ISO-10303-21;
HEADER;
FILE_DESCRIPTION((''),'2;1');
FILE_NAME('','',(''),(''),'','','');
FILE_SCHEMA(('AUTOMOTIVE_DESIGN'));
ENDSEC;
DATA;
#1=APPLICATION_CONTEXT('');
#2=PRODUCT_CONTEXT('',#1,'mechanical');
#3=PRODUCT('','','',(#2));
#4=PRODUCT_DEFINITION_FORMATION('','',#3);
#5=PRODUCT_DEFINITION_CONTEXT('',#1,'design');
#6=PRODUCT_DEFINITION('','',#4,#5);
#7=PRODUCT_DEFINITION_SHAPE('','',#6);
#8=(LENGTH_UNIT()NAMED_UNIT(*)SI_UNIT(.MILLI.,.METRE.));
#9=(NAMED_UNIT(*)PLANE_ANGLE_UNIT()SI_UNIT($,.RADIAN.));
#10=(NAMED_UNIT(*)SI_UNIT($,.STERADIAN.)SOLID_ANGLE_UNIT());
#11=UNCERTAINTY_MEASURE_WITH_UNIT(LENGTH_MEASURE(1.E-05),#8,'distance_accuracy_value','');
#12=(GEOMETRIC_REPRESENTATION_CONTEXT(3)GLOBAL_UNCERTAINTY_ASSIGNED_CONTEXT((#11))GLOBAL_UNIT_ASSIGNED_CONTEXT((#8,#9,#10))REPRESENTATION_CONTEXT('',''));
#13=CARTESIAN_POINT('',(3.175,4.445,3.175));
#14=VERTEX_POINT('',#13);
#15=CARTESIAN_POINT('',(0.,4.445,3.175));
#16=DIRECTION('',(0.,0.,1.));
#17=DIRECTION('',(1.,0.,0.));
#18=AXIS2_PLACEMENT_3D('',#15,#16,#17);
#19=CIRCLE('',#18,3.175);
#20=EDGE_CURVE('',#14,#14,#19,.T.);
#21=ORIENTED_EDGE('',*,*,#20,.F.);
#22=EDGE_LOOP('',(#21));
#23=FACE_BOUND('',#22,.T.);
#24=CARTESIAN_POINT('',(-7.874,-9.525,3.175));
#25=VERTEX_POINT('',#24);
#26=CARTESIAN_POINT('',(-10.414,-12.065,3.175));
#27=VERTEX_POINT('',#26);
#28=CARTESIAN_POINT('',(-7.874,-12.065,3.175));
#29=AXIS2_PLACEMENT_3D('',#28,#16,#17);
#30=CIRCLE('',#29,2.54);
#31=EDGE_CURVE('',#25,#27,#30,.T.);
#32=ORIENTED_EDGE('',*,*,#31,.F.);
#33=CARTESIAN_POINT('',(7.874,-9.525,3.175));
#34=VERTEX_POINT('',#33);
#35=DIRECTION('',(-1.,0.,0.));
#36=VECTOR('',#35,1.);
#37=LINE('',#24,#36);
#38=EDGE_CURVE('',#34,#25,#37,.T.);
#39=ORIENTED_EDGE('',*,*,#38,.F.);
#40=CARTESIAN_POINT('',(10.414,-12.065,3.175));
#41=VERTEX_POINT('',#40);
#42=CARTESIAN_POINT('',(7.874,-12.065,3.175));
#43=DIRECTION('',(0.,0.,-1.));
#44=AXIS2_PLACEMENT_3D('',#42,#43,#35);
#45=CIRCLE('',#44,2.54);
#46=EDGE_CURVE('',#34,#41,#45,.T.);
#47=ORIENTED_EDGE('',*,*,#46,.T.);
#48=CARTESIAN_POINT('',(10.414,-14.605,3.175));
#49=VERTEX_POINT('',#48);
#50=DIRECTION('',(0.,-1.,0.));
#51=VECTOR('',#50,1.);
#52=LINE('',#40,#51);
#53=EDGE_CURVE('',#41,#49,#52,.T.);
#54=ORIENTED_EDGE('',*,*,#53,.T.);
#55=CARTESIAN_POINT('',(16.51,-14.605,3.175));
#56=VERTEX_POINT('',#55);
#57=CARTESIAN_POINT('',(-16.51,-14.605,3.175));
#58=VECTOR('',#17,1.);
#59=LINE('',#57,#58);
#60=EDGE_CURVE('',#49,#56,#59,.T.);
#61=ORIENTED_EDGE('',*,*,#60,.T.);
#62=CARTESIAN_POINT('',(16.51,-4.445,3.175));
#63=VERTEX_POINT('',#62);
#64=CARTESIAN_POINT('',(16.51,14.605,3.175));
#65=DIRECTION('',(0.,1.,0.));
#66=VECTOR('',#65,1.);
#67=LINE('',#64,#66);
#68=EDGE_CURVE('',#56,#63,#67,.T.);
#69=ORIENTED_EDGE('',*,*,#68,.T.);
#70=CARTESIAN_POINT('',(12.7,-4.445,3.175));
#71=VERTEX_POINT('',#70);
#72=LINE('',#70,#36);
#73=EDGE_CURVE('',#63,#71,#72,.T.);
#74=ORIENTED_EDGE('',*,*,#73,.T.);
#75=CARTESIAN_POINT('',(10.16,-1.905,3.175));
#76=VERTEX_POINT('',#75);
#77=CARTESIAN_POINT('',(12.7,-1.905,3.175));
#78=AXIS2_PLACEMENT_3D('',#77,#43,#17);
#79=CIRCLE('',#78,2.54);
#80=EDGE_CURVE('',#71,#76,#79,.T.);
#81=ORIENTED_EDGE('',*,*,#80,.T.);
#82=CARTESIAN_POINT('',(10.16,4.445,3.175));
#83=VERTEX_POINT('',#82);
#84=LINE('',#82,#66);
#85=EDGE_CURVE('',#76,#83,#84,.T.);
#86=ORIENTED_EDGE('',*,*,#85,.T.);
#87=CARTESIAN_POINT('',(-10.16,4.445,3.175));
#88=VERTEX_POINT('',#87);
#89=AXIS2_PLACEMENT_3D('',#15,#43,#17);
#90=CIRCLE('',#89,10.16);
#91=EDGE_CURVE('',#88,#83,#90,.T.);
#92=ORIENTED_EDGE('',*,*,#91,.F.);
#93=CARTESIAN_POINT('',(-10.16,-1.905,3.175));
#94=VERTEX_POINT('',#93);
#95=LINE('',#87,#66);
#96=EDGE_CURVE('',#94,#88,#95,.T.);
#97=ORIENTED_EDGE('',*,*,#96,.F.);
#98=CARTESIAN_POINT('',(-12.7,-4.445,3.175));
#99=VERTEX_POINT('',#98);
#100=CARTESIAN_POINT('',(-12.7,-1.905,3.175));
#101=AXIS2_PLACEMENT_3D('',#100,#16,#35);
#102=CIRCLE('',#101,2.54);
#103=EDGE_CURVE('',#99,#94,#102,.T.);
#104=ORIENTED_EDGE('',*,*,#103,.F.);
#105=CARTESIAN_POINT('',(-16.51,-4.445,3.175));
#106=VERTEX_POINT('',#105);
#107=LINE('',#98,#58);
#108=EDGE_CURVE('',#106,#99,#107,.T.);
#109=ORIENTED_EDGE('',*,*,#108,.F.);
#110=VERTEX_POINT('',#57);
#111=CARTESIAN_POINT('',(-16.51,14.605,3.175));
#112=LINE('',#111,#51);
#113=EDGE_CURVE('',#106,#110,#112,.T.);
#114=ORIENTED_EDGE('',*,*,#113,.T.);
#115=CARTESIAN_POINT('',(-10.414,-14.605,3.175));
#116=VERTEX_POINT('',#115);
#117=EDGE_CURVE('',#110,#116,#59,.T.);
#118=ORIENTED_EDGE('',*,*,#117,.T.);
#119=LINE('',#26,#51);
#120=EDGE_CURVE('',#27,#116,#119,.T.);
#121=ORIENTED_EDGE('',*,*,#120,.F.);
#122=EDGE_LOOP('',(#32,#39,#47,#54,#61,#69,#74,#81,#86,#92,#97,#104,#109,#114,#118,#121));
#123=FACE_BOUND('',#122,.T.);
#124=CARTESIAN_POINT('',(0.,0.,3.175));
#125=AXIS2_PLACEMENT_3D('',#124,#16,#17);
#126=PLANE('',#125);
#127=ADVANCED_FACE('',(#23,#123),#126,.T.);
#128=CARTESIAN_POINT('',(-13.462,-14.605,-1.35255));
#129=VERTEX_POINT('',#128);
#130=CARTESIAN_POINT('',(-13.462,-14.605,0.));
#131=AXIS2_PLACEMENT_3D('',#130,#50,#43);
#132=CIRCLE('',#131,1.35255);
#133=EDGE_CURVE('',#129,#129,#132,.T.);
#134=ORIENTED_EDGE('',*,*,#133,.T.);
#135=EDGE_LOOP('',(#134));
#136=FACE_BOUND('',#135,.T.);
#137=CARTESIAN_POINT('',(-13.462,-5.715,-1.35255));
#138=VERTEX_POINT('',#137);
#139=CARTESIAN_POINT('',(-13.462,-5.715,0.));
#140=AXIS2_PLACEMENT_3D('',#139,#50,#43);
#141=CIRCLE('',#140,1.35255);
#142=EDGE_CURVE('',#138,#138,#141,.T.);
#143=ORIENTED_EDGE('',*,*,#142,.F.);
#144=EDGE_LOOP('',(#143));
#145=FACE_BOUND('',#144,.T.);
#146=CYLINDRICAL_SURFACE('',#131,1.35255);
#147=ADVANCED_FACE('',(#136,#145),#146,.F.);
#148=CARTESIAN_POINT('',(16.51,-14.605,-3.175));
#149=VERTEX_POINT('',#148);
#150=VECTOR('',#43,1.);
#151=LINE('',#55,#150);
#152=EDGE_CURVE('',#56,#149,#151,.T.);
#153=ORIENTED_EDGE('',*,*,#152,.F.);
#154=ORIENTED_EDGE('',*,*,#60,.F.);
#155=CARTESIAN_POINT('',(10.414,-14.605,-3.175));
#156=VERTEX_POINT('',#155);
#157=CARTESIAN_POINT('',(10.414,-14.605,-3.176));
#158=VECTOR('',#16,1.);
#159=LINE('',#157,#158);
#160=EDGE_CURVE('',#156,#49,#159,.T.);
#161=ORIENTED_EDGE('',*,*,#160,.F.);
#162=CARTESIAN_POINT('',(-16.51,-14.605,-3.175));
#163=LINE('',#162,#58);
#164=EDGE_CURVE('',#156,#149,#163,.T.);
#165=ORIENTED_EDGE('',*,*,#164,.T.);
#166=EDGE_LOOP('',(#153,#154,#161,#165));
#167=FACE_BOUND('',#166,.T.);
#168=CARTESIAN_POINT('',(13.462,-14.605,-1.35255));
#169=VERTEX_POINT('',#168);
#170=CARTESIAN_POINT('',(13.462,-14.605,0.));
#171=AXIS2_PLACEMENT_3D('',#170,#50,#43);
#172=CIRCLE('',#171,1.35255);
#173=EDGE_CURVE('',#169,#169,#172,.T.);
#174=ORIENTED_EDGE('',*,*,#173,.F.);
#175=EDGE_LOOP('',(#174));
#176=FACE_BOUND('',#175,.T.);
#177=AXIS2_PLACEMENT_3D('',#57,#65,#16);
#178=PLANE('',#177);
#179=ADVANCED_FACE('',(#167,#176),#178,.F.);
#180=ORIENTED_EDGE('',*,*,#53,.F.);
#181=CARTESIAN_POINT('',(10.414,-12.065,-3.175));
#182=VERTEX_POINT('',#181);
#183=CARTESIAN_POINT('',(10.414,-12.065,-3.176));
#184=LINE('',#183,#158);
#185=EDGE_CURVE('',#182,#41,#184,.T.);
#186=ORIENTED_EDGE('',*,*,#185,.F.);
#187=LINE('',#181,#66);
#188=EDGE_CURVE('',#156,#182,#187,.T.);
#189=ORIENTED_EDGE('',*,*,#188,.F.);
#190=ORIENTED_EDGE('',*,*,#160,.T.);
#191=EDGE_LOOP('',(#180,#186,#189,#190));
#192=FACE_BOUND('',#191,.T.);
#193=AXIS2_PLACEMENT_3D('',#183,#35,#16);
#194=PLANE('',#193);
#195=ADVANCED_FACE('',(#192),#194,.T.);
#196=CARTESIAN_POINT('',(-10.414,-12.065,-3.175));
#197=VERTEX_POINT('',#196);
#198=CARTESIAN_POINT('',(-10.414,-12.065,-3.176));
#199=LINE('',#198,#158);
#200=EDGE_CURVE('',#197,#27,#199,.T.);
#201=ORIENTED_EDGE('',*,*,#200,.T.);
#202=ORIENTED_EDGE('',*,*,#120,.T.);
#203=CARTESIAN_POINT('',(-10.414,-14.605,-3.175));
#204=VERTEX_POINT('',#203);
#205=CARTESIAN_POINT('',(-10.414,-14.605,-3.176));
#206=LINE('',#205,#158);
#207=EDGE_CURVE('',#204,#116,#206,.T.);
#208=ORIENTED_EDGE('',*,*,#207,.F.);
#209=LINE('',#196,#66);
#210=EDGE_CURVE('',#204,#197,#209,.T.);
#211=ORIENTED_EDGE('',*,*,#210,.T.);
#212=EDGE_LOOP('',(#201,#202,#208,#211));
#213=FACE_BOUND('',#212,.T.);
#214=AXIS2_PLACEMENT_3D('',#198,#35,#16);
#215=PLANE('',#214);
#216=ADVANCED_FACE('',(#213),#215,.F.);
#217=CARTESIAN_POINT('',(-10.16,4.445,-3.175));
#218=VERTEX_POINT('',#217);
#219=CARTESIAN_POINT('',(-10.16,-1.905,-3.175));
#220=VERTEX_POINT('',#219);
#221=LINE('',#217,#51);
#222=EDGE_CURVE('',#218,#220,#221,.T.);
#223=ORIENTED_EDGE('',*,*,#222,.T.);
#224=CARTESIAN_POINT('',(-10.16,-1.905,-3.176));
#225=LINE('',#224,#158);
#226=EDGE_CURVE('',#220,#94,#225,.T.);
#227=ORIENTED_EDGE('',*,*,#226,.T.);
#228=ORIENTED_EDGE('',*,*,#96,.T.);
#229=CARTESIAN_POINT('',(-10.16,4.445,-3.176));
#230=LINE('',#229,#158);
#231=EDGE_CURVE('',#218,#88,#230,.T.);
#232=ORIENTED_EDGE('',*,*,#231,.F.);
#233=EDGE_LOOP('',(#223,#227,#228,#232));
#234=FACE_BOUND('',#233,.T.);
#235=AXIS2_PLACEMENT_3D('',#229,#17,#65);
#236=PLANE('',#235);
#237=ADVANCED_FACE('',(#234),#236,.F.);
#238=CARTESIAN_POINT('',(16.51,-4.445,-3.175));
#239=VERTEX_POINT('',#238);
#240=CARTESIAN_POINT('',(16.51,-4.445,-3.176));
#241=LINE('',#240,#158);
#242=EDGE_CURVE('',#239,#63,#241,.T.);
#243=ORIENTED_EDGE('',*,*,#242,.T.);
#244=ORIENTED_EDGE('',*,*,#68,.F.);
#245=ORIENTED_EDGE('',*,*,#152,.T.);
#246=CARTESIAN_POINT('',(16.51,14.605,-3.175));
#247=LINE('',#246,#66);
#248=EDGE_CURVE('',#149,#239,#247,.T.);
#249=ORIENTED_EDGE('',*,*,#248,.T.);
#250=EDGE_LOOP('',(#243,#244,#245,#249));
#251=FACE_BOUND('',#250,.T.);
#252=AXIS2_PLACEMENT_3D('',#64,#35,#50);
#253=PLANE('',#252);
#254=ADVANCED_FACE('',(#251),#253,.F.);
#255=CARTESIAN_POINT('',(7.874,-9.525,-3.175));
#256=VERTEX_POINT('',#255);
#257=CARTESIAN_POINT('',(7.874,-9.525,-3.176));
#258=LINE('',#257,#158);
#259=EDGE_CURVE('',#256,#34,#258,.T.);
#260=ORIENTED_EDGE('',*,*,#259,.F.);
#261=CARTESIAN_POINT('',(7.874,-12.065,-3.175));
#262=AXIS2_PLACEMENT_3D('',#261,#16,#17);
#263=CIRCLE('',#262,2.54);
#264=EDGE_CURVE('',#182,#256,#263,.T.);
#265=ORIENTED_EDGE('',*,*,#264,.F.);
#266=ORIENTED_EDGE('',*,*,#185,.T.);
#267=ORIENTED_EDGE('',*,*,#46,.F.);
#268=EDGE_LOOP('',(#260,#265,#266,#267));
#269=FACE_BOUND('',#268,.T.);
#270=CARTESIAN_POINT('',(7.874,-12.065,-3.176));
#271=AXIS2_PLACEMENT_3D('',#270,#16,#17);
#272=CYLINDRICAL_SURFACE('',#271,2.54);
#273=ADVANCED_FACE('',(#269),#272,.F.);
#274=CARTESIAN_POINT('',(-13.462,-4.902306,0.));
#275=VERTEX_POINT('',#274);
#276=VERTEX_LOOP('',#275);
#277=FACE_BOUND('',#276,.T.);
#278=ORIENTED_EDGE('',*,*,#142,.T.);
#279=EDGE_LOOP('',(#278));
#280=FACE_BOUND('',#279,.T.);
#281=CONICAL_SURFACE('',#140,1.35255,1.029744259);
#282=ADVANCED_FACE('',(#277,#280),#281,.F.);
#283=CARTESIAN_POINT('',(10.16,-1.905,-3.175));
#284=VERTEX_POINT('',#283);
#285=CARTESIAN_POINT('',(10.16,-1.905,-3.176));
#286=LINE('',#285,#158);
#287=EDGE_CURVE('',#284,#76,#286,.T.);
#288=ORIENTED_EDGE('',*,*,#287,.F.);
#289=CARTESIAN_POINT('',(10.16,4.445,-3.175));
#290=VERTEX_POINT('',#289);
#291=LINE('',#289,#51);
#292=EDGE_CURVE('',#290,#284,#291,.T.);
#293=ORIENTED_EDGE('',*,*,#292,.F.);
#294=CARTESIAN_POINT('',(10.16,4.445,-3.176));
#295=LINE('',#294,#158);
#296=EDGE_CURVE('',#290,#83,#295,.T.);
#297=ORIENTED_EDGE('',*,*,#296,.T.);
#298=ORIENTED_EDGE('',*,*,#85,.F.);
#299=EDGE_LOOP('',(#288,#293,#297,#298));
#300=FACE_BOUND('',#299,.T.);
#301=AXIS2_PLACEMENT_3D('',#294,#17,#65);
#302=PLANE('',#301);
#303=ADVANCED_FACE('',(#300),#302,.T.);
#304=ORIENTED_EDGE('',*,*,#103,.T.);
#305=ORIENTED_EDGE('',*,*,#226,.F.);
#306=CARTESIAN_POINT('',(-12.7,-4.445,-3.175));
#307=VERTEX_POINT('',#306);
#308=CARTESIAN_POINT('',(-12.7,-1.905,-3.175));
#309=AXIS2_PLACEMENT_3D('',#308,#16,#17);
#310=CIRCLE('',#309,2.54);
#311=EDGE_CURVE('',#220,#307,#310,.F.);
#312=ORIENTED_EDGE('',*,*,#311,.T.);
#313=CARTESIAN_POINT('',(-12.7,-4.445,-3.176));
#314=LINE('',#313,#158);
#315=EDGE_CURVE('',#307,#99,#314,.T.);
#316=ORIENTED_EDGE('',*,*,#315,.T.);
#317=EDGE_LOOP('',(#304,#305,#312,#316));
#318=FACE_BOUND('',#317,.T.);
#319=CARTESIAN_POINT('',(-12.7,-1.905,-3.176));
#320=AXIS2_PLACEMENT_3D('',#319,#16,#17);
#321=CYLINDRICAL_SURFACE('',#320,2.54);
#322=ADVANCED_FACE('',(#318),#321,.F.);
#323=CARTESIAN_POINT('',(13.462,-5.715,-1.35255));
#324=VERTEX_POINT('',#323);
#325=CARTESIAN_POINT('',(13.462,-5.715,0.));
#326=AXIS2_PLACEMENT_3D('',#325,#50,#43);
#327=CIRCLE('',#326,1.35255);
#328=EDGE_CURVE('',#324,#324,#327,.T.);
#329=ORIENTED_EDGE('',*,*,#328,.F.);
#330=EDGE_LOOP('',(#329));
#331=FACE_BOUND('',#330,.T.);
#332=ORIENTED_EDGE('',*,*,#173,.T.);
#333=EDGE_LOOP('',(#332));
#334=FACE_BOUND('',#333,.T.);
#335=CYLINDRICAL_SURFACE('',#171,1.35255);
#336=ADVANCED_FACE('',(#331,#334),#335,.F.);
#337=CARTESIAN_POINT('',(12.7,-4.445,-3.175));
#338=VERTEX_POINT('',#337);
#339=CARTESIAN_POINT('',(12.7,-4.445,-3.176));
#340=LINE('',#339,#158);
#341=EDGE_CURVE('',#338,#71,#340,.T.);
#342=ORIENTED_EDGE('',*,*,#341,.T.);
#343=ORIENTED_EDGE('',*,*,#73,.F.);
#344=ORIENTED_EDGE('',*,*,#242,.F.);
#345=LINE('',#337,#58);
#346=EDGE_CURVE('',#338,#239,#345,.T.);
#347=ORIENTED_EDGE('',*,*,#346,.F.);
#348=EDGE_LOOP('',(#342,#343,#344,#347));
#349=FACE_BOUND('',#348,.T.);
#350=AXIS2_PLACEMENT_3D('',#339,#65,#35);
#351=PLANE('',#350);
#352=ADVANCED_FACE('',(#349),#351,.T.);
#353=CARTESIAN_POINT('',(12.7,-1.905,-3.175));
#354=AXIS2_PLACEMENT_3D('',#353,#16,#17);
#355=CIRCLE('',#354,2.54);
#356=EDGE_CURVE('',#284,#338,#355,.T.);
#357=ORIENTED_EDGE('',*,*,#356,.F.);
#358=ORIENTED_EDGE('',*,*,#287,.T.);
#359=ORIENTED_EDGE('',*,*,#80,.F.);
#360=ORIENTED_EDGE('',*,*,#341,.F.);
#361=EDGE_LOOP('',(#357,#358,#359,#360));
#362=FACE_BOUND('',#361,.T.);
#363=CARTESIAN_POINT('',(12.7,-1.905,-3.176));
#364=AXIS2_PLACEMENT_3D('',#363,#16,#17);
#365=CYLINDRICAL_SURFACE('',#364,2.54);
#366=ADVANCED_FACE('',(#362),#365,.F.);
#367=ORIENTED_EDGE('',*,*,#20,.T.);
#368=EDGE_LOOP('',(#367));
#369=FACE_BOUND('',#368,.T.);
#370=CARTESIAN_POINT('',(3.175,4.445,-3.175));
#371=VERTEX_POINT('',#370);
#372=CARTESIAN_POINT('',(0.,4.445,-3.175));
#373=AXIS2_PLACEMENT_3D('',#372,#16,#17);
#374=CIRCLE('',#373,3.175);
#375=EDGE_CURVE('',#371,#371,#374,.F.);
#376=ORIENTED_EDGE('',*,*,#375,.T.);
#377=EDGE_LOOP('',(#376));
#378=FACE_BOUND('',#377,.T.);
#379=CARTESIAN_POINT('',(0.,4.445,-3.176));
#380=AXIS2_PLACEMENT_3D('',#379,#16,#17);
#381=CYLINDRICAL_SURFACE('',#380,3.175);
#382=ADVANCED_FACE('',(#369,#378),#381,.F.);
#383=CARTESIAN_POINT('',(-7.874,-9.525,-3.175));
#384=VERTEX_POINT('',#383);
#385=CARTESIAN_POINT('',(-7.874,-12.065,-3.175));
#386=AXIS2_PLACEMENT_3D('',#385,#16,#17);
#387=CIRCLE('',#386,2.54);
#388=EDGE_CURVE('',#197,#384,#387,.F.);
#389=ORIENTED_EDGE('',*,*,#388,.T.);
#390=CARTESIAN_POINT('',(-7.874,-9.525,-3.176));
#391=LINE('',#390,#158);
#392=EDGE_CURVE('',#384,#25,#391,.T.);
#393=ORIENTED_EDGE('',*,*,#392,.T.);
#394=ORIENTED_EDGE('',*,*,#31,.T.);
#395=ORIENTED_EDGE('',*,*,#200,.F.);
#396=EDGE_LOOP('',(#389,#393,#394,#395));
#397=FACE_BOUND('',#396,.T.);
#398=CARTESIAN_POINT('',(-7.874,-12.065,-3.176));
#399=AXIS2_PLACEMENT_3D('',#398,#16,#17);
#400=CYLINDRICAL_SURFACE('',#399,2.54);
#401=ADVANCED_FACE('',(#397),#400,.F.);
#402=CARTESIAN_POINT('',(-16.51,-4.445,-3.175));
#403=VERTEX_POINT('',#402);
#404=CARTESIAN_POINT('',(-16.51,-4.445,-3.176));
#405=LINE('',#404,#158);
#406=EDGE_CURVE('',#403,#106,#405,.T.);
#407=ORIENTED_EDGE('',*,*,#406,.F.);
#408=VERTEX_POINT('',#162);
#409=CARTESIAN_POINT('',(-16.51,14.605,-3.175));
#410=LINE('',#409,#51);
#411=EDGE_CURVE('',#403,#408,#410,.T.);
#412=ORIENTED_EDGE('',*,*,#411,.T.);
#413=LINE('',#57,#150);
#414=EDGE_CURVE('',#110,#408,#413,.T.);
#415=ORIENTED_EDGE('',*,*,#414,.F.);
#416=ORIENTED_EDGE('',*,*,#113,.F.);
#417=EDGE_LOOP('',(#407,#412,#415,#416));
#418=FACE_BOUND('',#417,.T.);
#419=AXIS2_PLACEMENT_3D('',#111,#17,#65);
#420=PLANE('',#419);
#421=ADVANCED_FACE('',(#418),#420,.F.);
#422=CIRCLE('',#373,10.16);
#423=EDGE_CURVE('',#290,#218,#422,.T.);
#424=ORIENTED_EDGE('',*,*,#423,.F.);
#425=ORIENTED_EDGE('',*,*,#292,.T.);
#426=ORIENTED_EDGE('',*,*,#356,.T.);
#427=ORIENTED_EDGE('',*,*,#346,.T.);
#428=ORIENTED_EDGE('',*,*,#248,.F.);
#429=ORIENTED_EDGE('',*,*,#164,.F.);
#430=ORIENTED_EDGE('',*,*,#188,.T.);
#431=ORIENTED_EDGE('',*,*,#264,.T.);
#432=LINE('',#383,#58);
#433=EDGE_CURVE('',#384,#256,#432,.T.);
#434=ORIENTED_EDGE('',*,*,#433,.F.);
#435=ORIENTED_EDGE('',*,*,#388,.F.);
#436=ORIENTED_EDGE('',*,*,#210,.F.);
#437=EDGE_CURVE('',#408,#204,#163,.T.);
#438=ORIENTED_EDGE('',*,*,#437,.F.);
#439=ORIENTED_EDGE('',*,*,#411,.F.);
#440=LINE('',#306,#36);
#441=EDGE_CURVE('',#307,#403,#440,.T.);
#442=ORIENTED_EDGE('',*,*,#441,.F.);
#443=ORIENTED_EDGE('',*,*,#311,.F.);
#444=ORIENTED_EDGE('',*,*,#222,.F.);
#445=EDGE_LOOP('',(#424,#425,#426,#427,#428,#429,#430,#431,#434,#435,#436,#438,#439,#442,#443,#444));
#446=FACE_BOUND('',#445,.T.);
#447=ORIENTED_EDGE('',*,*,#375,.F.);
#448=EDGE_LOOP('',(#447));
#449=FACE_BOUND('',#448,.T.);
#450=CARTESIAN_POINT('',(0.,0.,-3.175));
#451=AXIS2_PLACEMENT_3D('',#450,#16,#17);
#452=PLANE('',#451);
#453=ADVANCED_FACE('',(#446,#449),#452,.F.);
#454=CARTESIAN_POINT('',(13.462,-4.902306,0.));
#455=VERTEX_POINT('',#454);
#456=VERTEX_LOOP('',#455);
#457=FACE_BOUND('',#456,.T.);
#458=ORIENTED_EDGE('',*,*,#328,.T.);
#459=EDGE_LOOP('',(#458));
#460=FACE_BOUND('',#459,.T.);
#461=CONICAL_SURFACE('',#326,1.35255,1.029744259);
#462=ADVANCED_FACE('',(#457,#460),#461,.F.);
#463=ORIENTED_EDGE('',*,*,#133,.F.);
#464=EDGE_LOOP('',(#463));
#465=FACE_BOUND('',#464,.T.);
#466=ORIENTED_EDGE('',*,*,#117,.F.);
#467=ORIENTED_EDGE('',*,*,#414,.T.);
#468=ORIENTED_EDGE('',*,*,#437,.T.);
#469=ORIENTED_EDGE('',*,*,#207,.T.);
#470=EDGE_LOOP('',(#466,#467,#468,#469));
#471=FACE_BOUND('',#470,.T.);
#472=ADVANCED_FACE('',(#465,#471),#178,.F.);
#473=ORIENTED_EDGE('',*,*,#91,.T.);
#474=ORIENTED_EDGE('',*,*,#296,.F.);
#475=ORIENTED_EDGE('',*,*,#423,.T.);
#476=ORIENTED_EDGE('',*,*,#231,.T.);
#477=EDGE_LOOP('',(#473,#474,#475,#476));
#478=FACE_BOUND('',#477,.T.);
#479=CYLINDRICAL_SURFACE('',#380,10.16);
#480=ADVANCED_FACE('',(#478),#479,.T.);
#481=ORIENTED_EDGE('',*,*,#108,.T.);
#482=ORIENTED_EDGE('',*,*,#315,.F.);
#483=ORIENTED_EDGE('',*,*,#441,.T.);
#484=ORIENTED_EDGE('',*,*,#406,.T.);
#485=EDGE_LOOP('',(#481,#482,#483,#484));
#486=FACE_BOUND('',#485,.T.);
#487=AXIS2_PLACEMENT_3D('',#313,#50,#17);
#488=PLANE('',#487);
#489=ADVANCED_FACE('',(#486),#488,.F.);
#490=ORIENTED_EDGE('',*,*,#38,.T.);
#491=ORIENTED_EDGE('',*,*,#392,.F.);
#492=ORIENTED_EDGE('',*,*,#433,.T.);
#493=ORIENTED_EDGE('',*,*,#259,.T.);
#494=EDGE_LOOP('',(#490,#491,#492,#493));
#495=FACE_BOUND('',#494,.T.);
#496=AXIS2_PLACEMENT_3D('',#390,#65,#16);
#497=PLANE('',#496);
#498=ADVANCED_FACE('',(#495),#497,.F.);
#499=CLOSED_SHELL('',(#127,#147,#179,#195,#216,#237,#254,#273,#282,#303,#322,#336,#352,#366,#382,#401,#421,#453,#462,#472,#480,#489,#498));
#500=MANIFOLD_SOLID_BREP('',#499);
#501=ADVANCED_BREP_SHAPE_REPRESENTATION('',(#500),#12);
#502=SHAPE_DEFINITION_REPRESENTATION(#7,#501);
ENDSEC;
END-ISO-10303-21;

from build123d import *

# Parameters (mm, degrees)
SKETCH1_W                 = 33.02
SKETCH1_H                 = 29.21
BOSS_EXTRUDE1_DEPTH       = 3.175
CUT_EXTRUDE1_REACH        = 24.939
CUT_EXTRUDE2_REACH        = 24.939
SKETCH3_R                 = 3.175
F_6_32_TAPPED_HOLE1_D     = 2.7051
F_6_32_TAPPED_HOLE1_DEPTH = 8.89
F_6_32_TAPPED_HOLE1_TIP   = 0.81269403


with BuildPart() as part:
    # Sketch1 → Boss-Extrude1 (new, symmetric)
    with BuildSketch(Plane.XY):
        Rectangle(SKETCH1_W, SKETCH1_H)
    extrude(amount=BOSS_EXTRUDE1_DEPTH, both=True)

    # Sketch2 → Cut-Extrude1 (cut, up to next)
    with BuildSketch(Plane.XY.offset(3.175), mode=Mode.PRIVATE) as cut_extrude1_sk1:
        with BuildLine():
            Line((-10.16, 4.445), (-10.16, -1.905))
            ThreePointArc((-10.16, -1.905), (-10.903948776, -3.701051224), (-12.7, -4.445))
            Line((-12.7, -4.445), (-16.51, -4.445))
            Line((-16.51, -4.445), (-16.51, 14.605))
            Line((-16.51, 14.605), (0, 14.605))
            ThreePointArc((0, 14.605), (-7.184204897, 11.629204897), (-10.16, 4.445))
        make_face()
    cut_extrude1_tool1 = extrude(cut_extrude1_sk1.sketch, amount=-CUT_EXTRUDE1_REACH, mode=Mode.PRIVATE) & part.part
    # Sketch2 → Cut-Extrude1 (cut, up to next)
    with BuildSketch(Plane.XY.offset(3.175), mode=Mode.PRIVATE) as cut_extrude1_sk2:
        with BuildLine():
            Line((-7.874, -9.525), (0, -9.525))
            Line((0, -9.525), (0, -14.605))
            Line((0, -14.605), (-10.414, -14.605))
            Line((-10.414, -14.605), (-10.414, -12.065))
            ThreePointArc((-10.414, -12.065), (-9.670051224, -10.268948776), (-7.874, -9.525))
        make_face()
    cut_extrude1_tool2 = extrude(cut_extrude1_sk2.sketch, amount=-CUT_EXTRUDE1_REACH, mode=Mode.PRIVATE) & part.part
    cut_extrude1_1 = cut_extrude1_tool1.solids().sort_by_distance((-12.509542, 6.301506, 3.175))[0]
    add(cut_extrude1_1, mode=Mode.SUBTRACT)
    cut_extrude1_2 = cut_extrude1_tool2.solids().sort_by_distance((-5.082313, -12.118013, 3.175))[0]
    add(cut_extrude1_2, mode=Mode.SUBTRACT)
    cut_extrude1 = cut_extrude1_1 + cut_extrude1_2  # Cut-Extrude1 as one shape, for the pattern or mirror that repeats it

    # Mirror1: Cut-Extrude1 across plane
    add(cut_extrude1.mirror(Plane(origin=(0, 0, 0), x_dir=(0, 0, 1), z_dir=(1, 0, 0))), mode=Mode.SUBTRACT)

    # Sketch3 → Cut-Extrude2 (cut, up to next)
    with BuildSketch(Plane.XY.offset(3.175), mode=Mode.PRIVATE) as cut_extrude2_sk1:
        with Locations((0, 4.445)):
            Circle(SKETCH3_R)
    cut_extrude2_tool1 = extrude(cut_extrude2_sk1.sketch, amount=-CUT_EXTRUDE2_REACH, mode=Mode.PRIVATE) & part.part
    add(cut_extrude2_tool1.solids().sort_by_distance((0, 4.445, 3.175))[0], mode=Mode.SUBTRACT)

    # #6-32 Tapped Hole1
    with Locations(Plane(origin=(0, -14.605, 0), x_dir=(-1, 0, 0), z_dir=(0, -1, 0))):
        with Locations((-13.462, 0), (13.462, 0)):
            Hole(F_6_32_TAPPED_HOLE1_D / 2, depth=F_6_32_TAPPED_HOLE1_DEPTH)
            with Locations((0, 0, -(F_6_32_TAPPED_HOLE1_DEPTH + F_6_32_TAPPED_HOLE1_TIP / 2))):  # 118° drill point
                Cone(0, F_6_32_TAPPED_HOLE1_D / 2, F_6_32_TAPPED_HOLE1_TIP, mode=Mode.SUBTRACT)


solid = part.part
